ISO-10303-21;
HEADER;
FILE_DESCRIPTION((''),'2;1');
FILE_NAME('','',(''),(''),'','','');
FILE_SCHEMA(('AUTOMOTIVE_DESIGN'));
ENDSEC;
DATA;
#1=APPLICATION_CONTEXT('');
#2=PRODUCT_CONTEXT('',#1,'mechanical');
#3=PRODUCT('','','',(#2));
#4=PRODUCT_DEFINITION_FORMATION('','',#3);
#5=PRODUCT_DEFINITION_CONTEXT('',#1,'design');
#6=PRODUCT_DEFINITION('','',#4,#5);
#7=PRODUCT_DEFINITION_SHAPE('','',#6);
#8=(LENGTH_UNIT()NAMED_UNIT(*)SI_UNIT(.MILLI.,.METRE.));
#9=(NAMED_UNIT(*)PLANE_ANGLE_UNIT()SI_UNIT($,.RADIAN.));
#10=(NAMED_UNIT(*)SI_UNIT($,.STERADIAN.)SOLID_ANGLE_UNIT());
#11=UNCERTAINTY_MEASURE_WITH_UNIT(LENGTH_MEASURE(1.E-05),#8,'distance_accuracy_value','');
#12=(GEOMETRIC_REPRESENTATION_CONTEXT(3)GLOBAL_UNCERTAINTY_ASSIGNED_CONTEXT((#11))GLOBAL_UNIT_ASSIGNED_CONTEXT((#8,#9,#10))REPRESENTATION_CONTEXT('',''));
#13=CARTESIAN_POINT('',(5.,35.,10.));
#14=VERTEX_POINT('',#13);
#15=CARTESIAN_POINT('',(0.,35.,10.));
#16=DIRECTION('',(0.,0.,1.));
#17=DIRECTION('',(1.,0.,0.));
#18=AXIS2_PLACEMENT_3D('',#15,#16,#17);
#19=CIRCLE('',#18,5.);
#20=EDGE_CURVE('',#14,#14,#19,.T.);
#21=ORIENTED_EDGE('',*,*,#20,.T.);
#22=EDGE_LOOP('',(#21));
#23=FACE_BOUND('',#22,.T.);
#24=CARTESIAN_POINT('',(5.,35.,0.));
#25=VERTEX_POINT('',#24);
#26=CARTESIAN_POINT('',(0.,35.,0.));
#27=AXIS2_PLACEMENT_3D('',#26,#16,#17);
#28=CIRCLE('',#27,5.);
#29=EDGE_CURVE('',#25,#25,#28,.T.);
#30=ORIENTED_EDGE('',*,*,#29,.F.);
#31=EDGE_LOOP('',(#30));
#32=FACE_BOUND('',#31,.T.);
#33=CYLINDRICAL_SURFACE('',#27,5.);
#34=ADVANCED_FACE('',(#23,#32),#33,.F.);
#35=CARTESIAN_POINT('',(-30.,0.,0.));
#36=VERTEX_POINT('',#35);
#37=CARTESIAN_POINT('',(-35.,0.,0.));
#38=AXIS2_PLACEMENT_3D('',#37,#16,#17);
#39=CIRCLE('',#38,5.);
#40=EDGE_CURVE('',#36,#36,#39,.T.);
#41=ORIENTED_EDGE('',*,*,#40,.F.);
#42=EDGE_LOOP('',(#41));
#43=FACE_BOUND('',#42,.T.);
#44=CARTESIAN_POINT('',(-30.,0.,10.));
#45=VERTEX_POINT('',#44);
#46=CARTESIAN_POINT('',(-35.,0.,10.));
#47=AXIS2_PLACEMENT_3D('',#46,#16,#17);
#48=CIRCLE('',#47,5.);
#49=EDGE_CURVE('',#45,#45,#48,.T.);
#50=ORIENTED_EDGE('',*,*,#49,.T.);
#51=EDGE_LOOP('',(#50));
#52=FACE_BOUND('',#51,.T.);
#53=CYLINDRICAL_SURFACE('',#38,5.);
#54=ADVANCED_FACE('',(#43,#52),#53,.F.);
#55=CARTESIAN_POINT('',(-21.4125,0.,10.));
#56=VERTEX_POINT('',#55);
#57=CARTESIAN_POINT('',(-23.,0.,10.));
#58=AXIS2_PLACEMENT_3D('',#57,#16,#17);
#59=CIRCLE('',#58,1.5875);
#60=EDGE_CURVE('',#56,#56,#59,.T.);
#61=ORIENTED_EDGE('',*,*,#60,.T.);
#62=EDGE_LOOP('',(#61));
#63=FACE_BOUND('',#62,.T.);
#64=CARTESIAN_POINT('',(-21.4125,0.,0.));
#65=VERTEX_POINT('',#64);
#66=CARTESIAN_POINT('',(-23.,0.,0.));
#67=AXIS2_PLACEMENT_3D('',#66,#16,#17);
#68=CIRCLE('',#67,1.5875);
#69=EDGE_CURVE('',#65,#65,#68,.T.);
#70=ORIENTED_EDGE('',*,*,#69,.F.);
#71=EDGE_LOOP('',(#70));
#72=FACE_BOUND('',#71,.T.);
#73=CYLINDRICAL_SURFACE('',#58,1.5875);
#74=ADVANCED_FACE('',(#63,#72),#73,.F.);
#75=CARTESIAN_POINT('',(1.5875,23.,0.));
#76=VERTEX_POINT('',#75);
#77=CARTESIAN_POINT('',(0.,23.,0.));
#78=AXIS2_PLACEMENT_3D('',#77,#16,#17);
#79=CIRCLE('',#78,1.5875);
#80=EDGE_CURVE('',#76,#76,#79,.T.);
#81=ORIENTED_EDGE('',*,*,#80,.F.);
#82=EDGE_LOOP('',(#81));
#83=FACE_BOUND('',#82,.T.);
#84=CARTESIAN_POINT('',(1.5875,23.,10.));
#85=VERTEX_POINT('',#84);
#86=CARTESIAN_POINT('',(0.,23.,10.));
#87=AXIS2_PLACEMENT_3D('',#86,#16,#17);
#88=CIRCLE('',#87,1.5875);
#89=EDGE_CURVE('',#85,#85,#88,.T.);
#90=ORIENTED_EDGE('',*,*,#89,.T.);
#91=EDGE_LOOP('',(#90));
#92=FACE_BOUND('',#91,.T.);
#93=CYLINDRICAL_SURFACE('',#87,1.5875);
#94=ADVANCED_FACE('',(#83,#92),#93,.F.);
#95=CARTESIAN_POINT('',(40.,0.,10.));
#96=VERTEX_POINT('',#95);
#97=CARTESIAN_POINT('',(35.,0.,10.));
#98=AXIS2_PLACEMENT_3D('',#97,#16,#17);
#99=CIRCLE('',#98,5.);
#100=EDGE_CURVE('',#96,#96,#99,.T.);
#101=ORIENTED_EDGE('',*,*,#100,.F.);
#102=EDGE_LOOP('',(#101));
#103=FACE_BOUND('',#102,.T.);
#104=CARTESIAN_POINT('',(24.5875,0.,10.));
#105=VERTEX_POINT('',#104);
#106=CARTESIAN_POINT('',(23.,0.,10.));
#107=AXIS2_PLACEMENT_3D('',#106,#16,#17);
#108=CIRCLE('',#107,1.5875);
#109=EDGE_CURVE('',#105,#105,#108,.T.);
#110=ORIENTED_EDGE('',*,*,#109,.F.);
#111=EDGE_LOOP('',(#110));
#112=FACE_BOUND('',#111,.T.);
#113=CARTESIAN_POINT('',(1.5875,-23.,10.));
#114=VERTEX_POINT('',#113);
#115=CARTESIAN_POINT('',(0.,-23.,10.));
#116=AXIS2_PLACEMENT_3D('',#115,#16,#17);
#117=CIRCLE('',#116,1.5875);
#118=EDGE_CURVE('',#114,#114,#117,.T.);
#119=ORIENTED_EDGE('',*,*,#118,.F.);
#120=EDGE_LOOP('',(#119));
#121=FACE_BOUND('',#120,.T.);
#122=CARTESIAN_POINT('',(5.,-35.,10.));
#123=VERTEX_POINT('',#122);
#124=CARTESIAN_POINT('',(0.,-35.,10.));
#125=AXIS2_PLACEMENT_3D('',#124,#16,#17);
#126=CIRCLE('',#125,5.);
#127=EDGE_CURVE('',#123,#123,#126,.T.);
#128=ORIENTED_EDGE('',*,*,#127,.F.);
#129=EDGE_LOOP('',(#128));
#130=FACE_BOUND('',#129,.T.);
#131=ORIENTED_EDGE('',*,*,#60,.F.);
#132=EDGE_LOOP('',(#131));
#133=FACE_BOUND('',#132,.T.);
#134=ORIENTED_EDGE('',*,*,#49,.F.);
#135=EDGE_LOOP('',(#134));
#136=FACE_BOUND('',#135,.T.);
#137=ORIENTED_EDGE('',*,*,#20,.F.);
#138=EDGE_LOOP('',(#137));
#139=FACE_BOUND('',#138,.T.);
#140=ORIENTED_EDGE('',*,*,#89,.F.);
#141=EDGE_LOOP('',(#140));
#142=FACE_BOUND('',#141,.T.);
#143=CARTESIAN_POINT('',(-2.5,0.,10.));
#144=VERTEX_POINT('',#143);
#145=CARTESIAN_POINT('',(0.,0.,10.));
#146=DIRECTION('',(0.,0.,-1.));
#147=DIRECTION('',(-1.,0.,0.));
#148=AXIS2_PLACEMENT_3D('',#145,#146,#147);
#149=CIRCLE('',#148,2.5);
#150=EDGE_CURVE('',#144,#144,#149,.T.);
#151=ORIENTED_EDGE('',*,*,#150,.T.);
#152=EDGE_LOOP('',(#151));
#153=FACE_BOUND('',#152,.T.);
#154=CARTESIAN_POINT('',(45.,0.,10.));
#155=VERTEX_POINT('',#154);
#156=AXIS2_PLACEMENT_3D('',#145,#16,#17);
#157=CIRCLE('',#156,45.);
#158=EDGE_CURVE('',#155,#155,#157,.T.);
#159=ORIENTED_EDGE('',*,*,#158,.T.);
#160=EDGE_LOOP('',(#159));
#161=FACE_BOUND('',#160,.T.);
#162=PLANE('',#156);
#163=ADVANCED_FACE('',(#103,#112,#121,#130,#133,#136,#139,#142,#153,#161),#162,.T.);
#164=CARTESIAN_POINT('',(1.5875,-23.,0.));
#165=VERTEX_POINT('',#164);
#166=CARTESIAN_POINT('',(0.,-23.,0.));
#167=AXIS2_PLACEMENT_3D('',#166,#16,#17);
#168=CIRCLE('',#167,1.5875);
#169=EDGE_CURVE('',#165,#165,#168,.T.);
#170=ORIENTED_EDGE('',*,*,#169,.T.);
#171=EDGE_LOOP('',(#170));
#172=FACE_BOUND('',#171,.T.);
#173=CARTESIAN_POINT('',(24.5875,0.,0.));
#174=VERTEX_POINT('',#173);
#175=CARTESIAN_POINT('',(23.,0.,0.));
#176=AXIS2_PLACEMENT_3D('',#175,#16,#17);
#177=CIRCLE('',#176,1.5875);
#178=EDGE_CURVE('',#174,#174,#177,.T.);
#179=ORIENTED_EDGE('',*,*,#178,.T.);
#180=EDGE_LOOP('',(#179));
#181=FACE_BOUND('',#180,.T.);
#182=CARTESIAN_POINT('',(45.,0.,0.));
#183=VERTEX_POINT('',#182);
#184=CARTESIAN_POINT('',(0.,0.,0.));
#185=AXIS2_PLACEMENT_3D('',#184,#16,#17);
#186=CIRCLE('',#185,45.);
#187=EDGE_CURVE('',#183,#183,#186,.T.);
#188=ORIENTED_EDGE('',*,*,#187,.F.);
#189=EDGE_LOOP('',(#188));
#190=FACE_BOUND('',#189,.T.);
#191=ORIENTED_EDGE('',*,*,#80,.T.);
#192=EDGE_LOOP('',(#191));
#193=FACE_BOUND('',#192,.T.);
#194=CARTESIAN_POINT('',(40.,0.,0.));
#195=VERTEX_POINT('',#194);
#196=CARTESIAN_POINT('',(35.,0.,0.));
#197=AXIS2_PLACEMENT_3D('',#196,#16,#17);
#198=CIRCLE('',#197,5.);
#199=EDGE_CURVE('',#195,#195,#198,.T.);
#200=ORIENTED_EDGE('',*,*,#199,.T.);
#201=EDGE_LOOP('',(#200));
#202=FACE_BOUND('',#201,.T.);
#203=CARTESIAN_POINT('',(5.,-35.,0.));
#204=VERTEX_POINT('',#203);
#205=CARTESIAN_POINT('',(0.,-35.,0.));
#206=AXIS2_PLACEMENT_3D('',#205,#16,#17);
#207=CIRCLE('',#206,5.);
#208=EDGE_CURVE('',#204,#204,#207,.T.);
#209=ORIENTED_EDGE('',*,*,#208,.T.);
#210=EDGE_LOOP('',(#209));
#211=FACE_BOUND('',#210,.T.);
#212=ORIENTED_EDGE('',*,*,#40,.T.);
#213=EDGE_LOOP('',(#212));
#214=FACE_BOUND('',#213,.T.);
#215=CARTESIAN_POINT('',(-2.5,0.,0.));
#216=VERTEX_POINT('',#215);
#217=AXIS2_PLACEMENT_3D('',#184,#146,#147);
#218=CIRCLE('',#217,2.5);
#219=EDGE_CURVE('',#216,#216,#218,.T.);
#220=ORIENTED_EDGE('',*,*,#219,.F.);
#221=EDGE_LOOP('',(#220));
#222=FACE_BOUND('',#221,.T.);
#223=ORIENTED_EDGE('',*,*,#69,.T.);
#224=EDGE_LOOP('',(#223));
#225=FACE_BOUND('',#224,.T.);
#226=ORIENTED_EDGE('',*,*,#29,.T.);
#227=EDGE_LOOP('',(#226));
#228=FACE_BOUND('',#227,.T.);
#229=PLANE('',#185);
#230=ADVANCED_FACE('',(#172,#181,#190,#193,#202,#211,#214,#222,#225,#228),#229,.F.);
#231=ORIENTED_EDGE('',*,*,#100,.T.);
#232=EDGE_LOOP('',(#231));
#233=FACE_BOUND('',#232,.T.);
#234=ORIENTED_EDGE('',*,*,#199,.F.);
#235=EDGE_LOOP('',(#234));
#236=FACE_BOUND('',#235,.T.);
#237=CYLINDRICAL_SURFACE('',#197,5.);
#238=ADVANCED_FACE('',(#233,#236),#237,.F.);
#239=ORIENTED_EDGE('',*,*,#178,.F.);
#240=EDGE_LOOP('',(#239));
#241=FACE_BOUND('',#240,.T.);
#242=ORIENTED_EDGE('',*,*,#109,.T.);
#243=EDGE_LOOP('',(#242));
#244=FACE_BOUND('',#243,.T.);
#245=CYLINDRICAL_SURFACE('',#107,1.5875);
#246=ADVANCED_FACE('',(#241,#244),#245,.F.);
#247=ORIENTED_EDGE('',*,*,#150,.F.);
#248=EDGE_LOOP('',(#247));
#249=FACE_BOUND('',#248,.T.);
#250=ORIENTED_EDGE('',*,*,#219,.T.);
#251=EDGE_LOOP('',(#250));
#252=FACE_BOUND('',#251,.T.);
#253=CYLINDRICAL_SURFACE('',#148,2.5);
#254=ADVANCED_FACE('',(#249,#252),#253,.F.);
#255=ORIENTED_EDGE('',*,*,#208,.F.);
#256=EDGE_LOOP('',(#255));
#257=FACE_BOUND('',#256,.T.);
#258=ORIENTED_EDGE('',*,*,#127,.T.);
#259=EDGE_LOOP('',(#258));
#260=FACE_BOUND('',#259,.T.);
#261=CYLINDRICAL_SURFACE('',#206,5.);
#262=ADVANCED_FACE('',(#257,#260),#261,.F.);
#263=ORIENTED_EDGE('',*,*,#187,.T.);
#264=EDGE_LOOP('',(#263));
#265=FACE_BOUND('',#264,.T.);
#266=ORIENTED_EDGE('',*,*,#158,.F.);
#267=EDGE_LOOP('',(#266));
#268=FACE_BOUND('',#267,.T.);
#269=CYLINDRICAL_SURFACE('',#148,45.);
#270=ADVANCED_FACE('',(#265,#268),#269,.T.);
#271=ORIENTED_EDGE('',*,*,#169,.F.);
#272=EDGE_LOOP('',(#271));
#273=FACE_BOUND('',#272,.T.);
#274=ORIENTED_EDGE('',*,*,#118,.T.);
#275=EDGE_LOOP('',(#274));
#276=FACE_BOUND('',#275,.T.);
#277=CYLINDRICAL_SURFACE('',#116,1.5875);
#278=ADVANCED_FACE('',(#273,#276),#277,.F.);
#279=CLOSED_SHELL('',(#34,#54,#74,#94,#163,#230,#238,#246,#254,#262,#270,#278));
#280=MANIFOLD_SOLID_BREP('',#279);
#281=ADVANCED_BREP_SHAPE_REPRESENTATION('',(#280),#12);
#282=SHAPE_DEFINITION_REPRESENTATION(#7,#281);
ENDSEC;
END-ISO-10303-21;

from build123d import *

# Parameters (mm, degrees)
SKETCH2_R                    = 45
BOSS_EXTRUDE1_DEPTH          = 10
SKETCH3_R                    = 2.5
CUT_EXTRUDE1_DEPTH           = 65.420493634
SKETCH4_R                    = 5
CUT_EXTRUDE2_DEPTH           = 10
F_1_8_0_125_DIAMETER_HOLE1_D = 3.175


with BuildPart() as part:
    # Sketch2 → Boss-Extrude1 (new body)
    with BuildSketch(Plane.XY):
        Circle(SKETCH2_R)
    extrude(amount=BOSS_EXTRUDE1_DEPTH)

    # Sketch3 → Cut-Extrude1 (cut, through all)
    with BuildSketch(Plane(origin=(0, 0, 0), x_dir=(-1, 0, 0), z_dir=(0, 0, -1))):
        Circle(SKETCH3_R)
    extrude(amount=-CUT_EXTRUDE1_DEPTH, mode=Mode.SUBTRACT)

    # Sketch4 → Cut-Extrude2 (cut)
    with BuildSketch(Plane.XY.offset(10)):
        with Locations((0, 35)):
            Circle(SKETCH4_R)
        with Locations((35, 0)):
            Circle(SKETCH4_R)
        with Locations((0, -35)):
            Circle(SKETCH4_R)
        with Locations((-35, 0)):
            Circle(SKETCH4_R)
    extrude(amount=-CUT_EXTRUDE2_DEPTH, mode=Mode.SUBTRACT)

    # 1/8 (0.125) Diameter Hole1 (through all)
    with Locations(Plane.XY.offset(10)):
        with Locations((0, 23), (23, 0), (0, -23), (-23, 0)):
            Hole(F_1_8_0_125_DIAMETER_HOLE1_D / 2)


solid = part.part
